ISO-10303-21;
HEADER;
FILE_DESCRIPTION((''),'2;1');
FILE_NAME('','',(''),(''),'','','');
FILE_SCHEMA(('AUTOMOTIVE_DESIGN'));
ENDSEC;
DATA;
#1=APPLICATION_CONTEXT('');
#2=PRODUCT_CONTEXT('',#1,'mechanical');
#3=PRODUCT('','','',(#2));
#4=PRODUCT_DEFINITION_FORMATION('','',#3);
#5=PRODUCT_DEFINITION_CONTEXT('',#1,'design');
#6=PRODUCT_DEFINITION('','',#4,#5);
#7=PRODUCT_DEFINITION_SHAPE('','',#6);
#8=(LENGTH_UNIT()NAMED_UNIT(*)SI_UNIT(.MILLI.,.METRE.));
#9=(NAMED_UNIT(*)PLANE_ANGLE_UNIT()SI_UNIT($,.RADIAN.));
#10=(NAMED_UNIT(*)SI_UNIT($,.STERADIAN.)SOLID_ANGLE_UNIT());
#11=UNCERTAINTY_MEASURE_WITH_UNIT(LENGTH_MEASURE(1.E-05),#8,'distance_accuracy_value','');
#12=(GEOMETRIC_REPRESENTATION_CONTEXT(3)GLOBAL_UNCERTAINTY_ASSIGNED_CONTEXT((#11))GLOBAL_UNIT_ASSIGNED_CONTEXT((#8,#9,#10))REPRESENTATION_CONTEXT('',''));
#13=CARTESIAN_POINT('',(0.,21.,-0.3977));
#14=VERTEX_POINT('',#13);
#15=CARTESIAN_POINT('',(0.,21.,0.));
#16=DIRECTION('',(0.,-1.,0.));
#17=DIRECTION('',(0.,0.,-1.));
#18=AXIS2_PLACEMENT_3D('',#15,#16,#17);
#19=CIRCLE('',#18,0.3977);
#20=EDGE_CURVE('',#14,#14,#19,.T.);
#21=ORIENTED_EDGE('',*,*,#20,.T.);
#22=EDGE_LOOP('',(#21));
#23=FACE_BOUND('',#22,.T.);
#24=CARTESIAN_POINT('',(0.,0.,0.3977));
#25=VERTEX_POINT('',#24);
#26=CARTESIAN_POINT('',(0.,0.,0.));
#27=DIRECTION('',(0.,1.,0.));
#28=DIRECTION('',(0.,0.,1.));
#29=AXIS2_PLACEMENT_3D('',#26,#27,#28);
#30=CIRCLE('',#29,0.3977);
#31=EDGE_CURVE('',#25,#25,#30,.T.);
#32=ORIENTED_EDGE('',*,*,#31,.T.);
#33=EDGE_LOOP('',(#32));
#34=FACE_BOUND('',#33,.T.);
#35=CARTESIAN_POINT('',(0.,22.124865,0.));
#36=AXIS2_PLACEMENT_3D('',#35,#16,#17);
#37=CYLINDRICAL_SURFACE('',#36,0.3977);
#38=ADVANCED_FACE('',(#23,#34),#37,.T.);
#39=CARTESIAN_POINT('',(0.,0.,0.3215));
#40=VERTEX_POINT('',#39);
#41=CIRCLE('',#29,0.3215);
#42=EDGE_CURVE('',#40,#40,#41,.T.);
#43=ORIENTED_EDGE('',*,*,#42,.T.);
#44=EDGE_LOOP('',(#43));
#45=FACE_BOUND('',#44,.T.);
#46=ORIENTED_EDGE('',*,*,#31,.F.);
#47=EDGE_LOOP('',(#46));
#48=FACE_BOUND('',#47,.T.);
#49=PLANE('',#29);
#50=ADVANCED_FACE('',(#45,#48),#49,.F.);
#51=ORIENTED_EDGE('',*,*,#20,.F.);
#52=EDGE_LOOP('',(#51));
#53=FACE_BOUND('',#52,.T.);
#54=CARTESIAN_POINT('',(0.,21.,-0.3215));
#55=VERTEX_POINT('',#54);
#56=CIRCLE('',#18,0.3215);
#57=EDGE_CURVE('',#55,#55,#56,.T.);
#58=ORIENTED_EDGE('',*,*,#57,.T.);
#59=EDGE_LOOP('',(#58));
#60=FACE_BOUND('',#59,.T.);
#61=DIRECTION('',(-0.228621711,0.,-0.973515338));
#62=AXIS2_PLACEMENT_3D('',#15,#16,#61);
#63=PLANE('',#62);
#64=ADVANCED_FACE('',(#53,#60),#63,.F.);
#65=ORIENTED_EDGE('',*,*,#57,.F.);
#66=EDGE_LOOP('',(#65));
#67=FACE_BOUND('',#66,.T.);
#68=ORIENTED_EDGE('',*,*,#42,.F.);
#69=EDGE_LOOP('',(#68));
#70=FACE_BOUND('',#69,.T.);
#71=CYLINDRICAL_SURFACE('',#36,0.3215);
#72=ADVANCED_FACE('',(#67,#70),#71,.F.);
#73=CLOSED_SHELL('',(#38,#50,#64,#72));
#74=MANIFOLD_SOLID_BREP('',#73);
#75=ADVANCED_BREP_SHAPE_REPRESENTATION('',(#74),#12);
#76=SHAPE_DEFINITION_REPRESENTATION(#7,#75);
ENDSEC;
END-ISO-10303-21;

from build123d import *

# Parameters (mm, degrees)
SKETCH1_R           = 0.3977
SKETCH1_R_2         = 0.3215
BOSS_EXTRUDE1_DEPTH = 21


with BuildPart() as part:
    # Sketch1 → Boss-Extrude1 (new body)
    with BuildSketch(Plane(origin=(0, 0, 0), x_dir=(1, 0, 0), z_dir=(0, 1, 0))):
        with Locations(Location((0, 0, 0), (0, 0, 90))):
            Circle(SKETCH1_R)
        with Locations(Location((0, 0, 0), (0, 0, 90))):
            Circle(SKETCH1_R_2, mode=Mode.SUBTRACT)
    extrude(amount=BOSS_EXTRUDE1_DEPTH)


solid = part.part
